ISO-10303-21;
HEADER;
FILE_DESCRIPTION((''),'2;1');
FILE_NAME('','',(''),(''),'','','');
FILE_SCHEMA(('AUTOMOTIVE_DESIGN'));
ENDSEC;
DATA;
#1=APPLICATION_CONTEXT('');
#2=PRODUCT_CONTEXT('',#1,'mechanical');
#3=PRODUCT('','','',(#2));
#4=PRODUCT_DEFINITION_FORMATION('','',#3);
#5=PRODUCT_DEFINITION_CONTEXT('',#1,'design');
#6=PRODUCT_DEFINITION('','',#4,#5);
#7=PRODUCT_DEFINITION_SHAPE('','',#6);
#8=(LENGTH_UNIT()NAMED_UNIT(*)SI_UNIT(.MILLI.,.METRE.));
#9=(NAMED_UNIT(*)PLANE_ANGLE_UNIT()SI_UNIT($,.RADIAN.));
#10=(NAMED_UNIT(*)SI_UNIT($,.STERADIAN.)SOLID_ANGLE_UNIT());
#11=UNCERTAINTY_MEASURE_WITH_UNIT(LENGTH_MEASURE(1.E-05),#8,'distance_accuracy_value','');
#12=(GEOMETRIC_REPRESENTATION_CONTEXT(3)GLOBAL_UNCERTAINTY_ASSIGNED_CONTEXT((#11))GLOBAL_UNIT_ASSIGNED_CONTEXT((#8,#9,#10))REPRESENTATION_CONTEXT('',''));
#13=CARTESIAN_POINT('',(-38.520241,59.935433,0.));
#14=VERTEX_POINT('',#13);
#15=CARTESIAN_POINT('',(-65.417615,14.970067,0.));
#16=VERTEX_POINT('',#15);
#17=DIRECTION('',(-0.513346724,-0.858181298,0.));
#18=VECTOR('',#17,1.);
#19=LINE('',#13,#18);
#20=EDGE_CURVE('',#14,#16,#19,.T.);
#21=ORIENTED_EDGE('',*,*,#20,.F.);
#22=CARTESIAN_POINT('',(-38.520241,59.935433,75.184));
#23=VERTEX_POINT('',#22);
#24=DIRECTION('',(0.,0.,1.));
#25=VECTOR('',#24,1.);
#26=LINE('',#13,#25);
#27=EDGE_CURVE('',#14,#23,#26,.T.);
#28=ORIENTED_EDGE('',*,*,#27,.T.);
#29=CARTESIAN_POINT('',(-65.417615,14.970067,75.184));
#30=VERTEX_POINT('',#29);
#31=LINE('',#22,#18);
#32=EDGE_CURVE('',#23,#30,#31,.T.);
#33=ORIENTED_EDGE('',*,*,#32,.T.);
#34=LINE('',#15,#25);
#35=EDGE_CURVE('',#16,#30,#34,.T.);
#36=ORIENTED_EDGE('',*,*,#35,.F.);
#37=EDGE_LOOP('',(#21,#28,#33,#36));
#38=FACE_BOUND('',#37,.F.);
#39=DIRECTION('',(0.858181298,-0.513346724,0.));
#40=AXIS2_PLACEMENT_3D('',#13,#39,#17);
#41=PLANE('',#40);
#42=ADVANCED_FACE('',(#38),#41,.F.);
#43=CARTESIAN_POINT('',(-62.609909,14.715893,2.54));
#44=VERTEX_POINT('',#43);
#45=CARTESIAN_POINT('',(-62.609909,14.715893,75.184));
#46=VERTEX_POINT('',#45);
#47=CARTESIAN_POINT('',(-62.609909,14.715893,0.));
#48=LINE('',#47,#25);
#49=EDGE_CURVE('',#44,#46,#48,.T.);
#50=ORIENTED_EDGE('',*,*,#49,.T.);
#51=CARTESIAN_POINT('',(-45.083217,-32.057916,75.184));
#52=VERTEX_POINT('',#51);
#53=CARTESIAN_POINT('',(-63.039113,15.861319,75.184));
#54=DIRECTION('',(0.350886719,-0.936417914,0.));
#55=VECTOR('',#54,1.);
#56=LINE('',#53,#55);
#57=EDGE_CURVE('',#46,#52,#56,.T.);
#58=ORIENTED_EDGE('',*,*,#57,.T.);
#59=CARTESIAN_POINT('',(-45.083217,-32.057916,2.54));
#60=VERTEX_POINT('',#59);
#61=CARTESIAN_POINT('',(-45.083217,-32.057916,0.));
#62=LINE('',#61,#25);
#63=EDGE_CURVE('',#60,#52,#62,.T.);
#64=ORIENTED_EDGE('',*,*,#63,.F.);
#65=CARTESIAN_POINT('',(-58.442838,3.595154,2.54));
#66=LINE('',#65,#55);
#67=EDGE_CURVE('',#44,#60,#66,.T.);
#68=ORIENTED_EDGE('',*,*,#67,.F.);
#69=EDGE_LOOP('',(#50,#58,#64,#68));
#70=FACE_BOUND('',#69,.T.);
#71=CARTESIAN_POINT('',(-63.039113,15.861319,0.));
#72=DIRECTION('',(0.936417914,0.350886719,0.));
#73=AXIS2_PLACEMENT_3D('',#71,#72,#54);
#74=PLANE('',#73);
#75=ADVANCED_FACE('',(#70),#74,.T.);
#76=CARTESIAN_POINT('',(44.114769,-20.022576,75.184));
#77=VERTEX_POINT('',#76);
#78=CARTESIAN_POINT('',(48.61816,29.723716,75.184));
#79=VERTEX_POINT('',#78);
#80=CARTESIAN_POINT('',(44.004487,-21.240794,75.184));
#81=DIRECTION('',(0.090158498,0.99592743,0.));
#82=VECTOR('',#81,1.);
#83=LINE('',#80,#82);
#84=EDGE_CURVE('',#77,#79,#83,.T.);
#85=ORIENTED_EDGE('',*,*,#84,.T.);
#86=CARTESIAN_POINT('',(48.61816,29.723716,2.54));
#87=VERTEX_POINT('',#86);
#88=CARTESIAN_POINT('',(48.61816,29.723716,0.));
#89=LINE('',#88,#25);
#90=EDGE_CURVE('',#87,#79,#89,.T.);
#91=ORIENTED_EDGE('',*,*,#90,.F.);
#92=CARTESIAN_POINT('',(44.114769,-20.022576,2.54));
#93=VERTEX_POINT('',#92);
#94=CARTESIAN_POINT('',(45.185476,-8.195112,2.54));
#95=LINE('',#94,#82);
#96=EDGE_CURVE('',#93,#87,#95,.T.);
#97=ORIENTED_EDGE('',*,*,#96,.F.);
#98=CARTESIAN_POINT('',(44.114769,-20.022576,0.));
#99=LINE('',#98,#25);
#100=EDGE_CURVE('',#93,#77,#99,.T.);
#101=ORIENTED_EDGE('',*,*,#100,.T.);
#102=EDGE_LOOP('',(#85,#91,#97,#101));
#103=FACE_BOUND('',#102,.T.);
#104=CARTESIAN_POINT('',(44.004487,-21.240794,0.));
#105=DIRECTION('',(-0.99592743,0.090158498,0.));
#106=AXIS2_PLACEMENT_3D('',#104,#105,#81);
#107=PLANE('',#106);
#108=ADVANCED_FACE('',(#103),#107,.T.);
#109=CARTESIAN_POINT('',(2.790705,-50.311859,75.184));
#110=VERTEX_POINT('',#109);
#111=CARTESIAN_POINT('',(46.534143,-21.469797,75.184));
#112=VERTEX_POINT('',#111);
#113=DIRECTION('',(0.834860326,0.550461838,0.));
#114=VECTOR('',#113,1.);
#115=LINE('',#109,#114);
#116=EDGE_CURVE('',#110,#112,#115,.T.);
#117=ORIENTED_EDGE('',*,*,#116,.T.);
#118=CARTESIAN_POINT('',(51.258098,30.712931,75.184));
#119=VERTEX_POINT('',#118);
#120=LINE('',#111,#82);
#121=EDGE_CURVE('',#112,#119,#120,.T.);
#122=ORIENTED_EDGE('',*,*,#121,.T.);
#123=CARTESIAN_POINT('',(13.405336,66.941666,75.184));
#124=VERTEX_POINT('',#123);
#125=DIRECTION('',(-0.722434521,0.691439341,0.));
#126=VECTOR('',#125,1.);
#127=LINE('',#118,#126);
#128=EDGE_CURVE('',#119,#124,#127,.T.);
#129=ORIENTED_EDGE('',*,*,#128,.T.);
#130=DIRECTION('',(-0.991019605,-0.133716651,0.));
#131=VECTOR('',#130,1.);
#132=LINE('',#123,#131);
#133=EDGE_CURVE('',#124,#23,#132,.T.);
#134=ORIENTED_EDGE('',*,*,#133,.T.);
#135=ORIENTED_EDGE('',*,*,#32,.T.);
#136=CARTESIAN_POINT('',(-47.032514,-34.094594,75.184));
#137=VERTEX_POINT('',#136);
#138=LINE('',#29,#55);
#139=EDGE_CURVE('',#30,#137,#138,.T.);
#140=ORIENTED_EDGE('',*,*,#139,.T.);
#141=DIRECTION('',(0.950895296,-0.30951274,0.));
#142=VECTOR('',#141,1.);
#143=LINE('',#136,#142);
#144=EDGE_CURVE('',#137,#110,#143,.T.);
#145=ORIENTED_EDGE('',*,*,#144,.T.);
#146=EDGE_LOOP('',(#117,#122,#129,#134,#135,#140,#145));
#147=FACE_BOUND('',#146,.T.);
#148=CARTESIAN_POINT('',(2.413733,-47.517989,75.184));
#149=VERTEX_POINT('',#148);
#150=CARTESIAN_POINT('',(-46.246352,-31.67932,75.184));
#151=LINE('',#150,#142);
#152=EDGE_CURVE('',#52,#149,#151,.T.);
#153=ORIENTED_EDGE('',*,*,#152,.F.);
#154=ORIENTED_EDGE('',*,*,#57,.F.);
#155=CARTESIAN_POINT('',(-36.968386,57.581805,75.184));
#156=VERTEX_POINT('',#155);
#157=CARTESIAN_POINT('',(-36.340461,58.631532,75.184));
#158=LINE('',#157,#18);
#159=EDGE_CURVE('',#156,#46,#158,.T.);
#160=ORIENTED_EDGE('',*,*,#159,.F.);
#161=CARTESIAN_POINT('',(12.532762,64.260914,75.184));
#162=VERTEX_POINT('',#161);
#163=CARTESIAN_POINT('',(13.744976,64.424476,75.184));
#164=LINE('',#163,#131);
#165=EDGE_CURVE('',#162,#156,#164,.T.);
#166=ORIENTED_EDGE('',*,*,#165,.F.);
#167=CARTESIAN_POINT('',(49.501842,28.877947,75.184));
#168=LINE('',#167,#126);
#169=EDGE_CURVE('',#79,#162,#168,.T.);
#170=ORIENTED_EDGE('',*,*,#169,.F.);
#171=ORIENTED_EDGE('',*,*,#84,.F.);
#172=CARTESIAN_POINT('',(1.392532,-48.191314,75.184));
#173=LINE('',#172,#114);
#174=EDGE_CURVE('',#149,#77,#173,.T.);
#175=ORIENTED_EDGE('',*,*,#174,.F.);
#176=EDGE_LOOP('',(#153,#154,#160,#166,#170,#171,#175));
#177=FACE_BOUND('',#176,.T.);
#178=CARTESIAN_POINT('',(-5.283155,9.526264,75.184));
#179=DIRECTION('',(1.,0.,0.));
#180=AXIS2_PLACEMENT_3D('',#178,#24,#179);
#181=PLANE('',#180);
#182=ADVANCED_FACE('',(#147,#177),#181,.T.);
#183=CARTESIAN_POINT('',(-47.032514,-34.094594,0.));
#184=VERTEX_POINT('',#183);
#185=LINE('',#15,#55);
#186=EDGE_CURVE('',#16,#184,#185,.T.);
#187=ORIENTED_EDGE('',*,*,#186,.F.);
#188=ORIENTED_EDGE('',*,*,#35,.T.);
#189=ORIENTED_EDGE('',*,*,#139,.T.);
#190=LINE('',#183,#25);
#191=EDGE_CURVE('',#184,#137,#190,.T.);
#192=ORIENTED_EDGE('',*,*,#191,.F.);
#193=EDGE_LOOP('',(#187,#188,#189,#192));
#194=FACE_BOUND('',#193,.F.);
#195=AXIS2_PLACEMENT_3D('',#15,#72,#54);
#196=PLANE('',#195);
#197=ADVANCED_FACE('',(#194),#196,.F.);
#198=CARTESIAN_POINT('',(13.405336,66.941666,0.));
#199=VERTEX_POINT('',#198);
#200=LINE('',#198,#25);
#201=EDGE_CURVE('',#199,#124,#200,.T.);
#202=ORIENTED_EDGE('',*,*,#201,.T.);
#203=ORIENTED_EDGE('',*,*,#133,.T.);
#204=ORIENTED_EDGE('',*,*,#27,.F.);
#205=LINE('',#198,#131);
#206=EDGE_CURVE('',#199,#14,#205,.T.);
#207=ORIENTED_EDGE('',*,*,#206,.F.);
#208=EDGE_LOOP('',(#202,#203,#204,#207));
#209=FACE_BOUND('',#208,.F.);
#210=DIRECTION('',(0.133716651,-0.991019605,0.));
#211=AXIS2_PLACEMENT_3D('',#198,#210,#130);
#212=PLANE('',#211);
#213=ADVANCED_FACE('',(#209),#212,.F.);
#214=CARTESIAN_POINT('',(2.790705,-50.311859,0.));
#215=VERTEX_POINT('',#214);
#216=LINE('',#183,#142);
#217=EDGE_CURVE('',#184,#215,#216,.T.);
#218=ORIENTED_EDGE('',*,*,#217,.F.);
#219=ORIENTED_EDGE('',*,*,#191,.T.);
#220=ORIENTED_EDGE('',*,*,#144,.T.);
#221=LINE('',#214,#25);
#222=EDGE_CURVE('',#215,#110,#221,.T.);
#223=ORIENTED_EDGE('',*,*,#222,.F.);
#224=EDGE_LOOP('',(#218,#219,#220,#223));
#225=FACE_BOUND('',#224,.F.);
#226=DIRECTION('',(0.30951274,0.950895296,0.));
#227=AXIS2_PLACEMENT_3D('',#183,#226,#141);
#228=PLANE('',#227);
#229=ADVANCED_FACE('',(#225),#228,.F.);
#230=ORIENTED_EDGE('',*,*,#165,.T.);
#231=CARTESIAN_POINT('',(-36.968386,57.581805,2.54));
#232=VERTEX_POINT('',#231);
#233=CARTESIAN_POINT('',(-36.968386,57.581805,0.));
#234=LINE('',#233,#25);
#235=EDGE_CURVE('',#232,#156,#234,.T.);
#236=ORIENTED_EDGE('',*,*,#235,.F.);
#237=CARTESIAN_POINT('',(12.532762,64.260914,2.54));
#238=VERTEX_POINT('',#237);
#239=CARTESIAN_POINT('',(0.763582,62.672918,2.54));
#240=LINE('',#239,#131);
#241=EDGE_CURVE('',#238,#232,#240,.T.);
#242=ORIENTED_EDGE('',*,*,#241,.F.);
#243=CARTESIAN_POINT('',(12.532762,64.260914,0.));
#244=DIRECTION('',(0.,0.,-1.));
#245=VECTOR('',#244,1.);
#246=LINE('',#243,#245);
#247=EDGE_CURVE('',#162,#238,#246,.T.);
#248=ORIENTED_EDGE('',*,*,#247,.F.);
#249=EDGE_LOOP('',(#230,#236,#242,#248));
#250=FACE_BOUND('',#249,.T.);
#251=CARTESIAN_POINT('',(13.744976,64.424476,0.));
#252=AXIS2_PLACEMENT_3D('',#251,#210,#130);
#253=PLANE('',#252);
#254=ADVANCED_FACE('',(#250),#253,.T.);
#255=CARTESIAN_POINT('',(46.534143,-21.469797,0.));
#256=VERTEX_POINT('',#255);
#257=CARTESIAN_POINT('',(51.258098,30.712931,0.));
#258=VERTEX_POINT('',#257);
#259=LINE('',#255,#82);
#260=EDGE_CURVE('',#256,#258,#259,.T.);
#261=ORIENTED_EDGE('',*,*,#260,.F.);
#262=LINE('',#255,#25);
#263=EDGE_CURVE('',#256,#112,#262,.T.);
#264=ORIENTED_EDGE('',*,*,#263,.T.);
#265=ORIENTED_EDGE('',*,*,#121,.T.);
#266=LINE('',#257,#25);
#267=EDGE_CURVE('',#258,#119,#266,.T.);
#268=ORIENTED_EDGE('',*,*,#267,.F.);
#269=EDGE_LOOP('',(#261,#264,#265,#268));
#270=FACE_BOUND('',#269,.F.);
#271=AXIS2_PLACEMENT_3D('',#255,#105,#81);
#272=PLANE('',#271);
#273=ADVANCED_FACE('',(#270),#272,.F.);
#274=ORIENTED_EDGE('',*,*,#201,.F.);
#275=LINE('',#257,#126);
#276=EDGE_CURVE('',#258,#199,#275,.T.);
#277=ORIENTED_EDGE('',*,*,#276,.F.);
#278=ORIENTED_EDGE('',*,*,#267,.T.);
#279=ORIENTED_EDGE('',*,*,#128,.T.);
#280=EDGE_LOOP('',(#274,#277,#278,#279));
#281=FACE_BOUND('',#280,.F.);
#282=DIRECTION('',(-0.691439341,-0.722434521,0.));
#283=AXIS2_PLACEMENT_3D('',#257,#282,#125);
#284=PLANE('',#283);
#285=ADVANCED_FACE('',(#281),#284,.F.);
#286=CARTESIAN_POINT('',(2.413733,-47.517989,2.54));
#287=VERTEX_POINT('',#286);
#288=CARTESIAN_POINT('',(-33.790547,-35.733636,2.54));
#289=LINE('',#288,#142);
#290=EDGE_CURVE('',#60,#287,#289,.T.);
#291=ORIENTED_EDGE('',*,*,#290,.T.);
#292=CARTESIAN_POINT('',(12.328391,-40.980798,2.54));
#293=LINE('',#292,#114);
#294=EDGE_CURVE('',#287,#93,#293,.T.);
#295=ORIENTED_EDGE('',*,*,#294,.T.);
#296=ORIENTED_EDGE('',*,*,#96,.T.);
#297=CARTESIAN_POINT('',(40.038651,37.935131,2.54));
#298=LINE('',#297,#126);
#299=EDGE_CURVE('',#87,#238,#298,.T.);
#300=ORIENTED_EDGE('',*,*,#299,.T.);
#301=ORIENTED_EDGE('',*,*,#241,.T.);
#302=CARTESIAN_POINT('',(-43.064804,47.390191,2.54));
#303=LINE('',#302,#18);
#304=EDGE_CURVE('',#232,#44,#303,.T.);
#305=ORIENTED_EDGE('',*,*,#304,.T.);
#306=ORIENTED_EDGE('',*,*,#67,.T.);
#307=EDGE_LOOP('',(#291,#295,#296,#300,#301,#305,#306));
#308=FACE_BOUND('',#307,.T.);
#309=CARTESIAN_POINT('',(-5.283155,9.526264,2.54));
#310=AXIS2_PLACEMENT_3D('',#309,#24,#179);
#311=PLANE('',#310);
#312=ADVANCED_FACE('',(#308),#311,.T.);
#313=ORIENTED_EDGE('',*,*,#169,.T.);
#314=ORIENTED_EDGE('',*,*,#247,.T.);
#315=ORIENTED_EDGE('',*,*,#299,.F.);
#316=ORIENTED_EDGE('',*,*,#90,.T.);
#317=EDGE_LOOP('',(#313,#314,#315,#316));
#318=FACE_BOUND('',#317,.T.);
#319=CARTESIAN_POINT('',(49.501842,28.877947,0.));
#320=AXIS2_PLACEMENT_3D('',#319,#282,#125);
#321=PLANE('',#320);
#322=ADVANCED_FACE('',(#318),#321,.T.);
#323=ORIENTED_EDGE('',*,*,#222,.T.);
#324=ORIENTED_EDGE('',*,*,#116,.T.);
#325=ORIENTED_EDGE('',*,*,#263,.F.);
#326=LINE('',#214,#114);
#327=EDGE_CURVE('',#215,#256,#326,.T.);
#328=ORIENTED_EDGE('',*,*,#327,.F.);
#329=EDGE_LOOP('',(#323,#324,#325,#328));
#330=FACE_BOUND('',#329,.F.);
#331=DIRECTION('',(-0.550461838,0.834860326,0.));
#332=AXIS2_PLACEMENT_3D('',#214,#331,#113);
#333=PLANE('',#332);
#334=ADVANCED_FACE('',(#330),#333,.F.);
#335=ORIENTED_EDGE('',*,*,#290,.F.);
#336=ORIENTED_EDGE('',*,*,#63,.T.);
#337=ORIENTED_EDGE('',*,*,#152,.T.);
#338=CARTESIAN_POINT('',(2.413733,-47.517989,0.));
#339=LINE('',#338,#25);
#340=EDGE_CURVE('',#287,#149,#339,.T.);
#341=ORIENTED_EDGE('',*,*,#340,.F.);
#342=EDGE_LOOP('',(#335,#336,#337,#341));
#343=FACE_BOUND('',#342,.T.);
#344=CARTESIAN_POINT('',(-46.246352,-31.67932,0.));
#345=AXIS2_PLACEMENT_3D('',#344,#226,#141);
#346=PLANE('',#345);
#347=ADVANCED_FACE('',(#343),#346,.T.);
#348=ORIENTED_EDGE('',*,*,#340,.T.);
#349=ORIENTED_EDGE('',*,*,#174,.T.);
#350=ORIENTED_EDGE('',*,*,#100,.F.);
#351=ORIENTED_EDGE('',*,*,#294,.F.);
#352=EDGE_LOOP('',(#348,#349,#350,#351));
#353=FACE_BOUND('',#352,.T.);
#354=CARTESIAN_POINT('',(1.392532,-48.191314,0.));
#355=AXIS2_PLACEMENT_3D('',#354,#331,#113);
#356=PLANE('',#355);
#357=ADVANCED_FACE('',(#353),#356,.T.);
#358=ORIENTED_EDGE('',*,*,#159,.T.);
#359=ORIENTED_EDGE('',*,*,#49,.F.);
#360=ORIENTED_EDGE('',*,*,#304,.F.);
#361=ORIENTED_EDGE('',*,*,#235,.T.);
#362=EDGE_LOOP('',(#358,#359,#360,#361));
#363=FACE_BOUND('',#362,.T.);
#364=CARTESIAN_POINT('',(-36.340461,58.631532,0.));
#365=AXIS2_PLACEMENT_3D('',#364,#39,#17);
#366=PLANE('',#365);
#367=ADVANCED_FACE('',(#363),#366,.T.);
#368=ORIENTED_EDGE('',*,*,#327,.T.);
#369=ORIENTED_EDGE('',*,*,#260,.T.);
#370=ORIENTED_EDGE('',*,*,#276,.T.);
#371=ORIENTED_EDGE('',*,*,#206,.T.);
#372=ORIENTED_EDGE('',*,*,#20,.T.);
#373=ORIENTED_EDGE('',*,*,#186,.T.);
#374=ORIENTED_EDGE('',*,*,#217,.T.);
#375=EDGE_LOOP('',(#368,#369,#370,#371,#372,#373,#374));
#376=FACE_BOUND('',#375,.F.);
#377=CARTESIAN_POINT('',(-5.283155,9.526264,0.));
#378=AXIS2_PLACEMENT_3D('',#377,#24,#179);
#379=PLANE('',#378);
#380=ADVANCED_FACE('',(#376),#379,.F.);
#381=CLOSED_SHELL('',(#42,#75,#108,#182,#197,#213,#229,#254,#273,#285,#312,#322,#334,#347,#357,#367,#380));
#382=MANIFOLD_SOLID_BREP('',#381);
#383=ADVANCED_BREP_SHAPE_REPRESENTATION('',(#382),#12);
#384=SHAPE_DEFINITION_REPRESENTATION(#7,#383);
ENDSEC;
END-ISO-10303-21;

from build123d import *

# Parameters (mm, degrees)
F1_DEPTH = 75.184
F2_T     = -101.6
F3_T     = -2.54


with BuildPart() as f1:
    # F0 (on Top) → F1 (new body)
    with BuildSketch(Plane.XY):
        Polygon((13.405336, 66.941666), (-38.520241, 59.935433), (-65.417615, 14.970067), (-47.032514, -34.094594), (2.790705, -50.311859), (46.534143, -21.469797), (51.258098, 30.712931), align=None)
    extrude(amount=F1_DEPTH)

    # F2
    f2_openings = [f1.faces().sort_by_distance(p)[0] for p in [
        (-5.283155, 9.526264, 75.184),
    ]]
    offset(amount=F2_T, openings=f2_openings)

    # F3
    f3_openings = [f1.faces().sort_by_distance(p)[0] for p in [
        (-5.283155, 9.526264, 75.184),
    ]]
    offset(amount=F3_T, openings=f3_openings)


solid = f1.part
